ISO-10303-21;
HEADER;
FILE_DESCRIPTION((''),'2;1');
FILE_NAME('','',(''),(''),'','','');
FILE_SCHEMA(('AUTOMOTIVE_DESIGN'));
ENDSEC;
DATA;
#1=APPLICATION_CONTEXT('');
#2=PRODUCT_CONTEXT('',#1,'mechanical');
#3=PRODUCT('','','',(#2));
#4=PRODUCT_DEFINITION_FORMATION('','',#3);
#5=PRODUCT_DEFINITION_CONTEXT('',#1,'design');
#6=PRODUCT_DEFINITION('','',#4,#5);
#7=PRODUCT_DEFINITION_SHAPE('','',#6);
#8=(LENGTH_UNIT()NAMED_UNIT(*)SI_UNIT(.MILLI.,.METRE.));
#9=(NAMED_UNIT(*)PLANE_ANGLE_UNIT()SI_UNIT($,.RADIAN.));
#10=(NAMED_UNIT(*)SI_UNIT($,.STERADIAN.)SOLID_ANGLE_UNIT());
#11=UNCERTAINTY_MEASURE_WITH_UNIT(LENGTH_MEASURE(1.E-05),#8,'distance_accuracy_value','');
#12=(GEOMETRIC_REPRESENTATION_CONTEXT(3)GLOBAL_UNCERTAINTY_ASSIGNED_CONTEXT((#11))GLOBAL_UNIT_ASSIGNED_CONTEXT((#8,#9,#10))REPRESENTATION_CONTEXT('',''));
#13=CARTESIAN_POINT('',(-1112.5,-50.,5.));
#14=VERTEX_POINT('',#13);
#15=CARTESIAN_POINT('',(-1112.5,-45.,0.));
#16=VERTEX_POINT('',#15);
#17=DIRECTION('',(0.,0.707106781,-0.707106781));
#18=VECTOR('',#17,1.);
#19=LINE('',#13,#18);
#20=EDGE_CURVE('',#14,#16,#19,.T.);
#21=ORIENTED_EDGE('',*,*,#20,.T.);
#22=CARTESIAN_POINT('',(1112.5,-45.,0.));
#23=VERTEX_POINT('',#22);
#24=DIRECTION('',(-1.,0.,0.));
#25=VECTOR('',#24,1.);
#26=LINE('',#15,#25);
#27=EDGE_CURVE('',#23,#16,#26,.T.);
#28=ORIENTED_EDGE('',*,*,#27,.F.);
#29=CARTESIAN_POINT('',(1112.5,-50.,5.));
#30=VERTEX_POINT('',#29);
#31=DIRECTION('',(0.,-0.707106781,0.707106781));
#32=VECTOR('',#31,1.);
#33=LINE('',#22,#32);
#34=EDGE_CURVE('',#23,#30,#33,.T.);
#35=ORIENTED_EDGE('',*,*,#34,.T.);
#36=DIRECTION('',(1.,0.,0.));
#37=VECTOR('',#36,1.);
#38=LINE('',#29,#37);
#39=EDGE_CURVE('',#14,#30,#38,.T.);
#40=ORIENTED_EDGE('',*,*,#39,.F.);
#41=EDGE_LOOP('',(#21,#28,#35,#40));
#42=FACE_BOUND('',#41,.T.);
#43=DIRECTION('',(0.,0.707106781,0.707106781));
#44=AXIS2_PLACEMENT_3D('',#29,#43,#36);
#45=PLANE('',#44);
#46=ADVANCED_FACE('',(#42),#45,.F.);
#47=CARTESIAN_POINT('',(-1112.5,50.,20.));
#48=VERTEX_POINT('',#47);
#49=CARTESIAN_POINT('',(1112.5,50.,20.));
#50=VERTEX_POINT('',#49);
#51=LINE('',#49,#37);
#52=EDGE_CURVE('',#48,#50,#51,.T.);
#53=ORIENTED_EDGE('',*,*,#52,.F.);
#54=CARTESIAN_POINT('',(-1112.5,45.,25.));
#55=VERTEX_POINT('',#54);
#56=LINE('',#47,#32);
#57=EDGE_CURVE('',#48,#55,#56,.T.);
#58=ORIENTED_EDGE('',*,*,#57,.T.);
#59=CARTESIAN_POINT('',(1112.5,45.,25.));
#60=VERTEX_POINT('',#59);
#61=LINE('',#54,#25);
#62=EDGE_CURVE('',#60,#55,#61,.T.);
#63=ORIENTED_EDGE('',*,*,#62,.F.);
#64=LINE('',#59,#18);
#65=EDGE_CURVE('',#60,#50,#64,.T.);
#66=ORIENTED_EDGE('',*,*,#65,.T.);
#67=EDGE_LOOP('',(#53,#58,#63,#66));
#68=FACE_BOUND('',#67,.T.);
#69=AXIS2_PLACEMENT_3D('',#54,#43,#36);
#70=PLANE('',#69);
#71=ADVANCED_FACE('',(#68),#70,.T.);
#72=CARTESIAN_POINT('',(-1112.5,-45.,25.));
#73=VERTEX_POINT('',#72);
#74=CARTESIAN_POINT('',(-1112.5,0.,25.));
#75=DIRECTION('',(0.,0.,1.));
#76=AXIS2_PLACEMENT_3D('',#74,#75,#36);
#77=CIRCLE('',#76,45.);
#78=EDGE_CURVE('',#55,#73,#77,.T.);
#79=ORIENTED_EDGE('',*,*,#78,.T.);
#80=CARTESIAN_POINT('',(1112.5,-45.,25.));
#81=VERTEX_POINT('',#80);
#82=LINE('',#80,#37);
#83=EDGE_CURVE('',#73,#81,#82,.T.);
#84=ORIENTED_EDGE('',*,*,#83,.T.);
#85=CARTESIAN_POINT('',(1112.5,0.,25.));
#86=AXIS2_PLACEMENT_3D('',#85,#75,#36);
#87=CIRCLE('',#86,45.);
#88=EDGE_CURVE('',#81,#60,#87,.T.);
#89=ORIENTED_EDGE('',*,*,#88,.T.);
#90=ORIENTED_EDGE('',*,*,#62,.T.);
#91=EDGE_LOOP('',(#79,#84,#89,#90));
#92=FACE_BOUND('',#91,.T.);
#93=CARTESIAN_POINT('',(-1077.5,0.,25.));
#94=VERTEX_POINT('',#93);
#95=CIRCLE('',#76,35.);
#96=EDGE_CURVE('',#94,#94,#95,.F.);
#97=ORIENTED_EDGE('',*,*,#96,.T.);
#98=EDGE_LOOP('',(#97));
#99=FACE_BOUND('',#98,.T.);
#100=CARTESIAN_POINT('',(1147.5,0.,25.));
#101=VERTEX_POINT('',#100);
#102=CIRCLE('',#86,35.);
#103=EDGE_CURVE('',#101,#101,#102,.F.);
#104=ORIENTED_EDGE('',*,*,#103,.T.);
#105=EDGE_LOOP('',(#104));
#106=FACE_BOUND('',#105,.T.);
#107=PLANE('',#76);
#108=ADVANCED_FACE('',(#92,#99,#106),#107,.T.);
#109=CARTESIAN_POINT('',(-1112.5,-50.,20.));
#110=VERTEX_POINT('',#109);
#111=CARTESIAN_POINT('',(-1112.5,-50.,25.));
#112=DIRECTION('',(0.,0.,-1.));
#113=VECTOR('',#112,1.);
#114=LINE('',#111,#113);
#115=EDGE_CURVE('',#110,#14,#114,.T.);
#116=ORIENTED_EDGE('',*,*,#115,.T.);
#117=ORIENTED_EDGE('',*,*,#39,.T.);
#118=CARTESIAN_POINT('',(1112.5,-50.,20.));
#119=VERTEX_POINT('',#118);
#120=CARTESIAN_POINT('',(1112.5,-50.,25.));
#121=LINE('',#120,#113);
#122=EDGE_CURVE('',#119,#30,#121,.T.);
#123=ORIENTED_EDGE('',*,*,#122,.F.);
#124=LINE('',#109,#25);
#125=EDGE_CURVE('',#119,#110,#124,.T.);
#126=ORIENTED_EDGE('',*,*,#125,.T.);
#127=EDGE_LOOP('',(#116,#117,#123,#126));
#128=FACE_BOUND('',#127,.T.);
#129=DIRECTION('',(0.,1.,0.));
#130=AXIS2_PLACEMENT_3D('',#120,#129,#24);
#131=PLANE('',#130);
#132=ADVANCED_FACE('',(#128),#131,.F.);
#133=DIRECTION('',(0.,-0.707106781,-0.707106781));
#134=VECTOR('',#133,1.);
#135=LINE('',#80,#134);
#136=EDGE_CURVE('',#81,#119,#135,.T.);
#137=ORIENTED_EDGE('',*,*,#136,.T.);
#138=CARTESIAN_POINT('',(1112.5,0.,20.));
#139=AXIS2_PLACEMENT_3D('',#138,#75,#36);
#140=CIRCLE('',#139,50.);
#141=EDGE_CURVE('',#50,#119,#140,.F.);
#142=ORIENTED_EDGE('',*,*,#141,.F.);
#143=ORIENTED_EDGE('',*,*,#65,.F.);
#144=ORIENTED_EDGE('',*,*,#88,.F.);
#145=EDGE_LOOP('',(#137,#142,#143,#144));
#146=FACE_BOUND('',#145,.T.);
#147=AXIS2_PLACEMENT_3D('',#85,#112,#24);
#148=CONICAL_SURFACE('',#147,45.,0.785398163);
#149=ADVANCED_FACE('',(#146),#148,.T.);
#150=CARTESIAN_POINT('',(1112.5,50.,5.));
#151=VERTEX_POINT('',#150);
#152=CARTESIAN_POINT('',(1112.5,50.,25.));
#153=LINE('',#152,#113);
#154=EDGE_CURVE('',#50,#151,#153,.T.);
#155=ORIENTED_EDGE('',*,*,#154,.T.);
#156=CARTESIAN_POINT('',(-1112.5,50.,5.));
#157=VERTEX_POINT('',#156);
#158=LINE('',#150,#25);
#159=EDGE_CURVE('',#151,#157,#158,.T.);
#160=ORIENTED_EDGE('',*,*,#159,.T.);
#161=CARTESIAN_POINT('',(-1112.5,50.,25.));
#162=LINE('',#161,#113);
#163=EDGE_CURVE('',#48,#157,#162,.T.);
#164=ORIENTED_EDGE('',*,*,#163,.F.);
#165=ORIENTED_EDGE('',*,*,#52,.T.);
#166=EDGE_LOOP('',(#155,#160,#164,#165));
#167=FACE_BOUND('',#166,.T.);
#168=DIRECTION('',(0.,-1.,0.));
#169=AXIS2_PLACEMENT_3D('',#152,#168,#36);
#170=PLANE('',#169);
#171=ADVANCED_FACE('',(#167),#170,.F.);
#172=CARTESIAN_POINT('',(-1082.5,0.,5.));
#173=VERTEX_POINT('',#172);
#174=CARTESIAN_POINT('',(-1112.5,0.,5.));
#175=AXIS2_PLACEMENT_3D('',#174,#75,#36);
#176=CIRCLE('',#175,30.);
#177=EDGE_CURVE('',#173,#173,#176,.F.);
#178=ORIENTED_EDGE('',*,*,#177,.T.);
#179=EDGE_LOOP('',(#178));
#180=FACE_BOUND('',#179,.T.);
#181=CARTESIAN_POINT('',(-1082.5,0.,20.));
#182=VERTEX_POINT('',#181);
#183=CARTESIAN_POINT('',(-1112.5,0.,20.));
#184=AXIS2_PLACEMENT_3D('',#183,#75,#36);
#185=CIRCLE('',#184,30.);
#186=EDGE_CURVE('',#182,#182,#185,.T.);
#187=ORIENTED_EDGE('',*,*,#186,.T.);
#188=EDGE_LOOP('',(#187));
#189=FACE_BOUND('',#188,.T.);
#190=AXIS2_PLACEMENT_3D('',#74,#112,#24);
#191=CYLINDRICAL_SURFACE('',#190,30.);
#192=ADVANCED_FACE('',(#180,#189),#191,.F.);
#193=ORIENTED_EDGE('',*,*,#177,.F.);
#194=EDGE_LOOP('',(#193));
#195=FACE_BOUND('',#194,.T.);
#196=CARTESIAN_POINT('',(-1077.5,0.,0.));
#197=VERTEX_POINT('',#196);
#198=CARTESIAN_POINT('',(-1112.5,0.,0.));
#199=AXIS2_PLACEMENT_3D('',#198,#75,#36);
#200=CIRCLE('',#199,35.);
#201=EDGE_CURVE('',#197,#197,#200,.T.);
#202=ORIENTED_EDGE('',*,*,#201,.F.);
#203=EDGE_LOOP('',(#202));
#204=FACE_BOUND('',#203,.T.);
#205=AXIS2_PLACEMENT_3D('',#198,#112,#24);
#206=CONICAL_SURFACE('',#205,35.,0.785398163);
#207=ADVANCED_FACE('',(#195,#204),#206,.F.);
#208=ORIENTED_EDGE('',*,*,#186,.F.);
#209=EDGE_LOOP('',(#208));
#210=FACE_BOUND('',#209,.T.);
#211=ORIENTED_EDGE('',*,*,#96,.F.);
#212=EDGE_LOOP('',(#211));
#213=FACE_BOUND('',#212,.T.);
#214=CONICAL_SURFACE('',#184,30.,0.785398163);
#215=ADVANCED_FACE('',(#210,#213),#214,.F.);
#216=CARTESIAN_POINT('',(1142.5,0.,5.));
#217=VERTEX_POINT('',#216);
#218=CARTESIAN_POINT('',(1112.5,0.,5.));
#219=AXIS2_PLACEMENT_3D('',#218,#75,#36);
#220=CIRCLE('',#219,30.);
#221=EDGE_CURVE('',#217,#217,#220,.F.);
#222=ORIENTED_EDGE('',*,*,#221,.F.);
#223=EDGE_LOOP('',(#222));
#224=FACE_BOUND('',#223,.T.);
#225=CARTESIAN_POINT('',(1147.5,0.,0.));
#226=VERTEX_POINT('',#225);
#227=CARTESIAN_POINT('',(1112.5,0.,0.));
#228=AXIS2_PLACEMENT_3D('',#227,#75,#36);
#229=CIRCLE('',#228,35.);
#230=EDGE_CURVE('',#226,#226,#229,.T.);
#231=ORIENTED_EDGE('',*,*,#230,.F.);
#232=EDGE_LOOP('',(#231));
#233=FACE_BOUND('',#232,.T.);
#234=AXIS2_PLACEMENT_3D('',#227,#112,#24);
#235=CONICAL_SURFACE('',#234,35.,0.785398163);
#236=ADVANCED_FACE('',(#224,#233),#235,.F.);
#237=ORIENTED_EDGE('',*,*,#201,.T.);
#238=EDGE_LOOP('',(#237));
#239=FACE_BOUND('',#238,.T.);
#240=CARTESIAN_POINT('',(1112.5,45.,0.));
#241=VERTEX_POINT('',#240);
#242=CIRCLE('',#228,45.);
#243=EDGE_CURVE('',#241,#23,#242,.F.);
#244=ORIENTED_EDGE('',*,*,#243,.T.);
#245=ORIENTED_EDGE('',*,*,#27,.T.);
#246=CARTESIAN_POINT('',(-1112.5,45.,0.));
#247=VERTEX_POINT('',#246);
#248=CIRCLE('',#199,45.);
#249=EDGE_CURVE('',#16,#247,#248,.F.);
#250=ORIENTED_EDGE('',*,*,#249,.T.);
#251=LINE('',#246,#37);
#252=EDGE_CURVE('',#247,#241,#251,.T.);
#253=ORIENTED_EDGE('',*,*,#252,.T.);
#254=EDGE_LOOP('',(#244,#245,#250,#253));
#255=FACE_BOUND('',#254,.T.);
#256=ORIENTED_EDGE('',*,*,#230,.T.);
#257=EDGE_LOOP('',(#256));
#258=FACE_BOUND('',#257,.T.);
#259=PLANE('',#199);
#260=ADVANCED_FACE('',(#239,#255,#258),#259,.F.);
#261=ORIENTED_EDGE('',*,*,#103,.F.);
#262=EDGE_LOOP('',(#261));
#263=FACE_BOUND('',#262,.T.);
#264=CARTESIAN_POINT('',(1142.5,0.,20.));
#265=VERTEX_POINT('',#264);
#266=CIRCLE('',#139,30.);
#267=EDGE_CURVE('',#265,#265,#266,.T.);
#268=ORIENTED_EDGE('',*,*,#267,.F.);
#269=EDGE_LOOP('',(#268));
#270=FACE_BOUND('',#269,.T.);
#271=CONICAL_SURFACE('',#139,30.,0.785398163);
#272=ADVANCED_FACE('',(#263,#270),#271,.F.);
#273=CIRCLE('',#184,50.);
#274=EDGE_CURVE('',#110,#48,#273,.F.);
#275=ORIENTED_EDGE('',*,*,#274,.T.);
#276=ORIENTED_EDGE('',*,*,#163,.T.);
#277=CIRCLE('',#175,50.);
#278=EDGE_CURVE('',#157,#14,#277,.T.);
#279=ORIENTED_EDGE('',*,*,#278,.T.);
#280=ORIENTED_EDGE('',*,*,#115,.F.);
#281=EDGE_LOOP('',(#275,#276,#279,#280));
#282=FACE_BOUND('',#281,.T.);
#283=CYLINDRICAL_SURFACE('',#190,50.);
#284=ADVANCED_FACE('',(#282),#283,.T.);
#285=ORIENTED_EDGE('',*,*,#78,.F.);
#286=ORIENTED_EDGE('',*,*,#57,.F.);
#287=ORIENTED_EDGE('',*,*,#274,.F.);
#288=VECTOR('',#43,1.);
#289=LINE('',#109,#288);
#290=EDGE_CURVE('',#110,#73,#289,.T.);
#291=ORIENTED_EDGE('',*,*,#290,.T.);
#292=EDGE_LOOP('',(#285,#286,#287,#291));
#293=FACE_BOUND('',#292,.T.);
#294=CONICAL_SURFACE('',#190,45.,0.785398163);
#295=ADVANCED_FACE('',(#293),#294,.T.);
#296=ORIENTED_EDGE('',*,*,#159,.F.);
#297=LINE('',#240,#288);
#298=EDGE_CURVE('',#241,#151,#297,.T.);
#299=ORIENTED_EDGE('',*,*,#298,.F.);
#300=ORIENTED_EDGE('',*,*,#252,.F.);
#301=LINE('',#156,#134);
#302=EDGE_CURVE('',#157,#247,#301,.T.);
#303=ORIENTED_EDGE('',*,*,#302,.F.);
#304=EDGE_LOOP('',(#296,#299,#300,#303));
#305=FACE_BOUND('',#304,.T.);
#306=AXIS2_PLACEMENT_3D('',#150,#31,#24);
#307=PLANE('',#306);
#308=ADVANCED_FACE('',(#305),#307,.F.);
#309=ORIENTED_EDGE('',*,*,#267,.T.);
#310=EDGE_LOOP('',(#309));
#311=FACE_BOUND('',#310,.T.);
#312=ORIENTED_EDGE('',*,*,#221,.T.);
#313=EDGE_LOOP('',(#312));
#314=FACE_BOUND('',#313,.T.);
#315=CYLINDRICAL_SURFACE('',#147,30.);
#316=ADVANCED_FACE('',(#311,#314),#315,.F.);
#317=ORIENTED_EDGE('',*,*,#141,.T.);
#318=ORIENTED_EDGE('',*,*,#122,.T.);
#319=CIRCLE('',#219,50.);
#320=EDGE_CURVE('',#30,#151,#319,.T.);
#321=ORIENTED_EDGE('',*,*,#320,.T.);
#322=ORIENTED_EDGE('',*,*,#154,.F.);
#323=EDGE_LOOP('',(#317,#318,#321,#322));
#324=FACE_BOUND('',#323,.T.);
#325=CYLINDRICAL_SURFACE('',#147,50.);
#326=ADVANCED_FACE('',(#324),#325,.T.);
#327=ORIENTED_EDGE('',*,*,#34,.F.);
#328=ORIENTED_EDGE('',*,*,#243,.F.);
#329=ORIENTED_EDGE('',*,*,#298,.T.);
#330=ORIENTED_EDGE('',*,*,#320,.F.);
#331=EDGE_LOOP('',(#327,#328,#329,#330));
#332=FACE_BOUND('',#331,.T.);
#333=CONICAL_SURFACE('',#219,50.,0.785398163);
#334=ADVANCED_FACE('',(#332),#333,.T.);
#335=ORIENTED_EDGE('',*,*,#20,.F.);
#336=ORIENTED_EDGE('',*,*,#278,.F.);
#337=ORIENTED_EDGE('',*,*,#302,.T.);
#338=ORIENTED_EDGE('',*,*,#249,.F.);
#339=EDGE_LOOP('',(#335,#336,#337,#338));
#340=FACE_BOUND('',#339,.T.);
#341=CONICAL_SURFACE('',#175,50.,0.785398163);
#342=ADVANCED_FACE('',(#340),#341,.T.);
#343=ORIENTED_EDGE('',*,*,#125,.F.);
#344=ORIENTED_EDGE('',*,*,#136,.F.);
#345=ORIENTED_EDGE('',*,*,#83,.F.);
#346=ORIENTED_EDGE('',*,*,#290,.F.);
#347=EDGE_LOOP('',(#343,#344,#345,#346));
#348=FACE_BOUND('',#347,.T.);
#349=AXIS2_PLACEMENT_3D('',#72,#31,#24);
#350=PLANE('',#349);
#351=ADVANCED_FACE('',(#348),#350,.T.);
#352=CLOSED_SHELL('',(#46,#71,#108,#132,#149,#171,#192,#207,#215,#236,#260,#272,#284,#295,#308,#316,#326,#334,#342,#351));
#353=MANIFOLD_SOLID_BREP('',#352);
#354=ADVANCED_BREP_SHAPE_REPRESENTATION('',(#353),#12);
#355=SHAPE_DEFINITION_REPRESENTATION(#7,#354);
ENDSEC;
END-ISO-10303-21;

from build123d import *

# Parameters (mm, degrees)
SKETCH1_R           = 30
BOSS_EXTRUDE1_DEPTH = 25
CHAMFER1_SIZE       = 5


with BuildPart() as part:
    # Sketch1 → Boss-Extrude1 (new body)
    with BuildSketch(Plane.XY):
        with BuildLine():
            Line((1112.5, -50), (-1112.5, -50))
            ThreePointArc((-1112.5, -50), (-1162.5, 0), (-1112.5, 50))
            Line((-1112.5, 50), (1112.5, 50))
            ThreePointArc((1112.5, 50), (1162.5, 0), (1112.5, -50))
        make_face()
        with Locations((-1112.5, 0)):
            Circle(SKETCH1_R, mode=Mode.SUBTRACT)
        with Locations(Location((1112.5, 0, 0), (0, 0, 180))):
            Circle(SKETCH1_R, mode=Mode.SUBTRACT)
    extrude(amount=BOSS_EXTRUDE1_DEPTH)

    # Chamfer1
    chamfer1_edges = [part.edges().sort_by_distance(p)[0] for p in [
        (1162.5, 0, 25),
        (-1142.5, 0, 0),
        (-1142.5, 0, 25),
        (0, 50, 25),
        (1142.5, 0, 0),
        (1142.5, 0, 25),
        (-1162.5, 0, 25),
        (0, 50, 0),
        (1162.5, 0, 0),
        (0, -50, 0),
        (-1162.5, 0, 0),
        (0, -50, 25),
    ]]
    chamfer(chamfer1_edges, length=CHAMFER1_SIZE)


solid = part.part
